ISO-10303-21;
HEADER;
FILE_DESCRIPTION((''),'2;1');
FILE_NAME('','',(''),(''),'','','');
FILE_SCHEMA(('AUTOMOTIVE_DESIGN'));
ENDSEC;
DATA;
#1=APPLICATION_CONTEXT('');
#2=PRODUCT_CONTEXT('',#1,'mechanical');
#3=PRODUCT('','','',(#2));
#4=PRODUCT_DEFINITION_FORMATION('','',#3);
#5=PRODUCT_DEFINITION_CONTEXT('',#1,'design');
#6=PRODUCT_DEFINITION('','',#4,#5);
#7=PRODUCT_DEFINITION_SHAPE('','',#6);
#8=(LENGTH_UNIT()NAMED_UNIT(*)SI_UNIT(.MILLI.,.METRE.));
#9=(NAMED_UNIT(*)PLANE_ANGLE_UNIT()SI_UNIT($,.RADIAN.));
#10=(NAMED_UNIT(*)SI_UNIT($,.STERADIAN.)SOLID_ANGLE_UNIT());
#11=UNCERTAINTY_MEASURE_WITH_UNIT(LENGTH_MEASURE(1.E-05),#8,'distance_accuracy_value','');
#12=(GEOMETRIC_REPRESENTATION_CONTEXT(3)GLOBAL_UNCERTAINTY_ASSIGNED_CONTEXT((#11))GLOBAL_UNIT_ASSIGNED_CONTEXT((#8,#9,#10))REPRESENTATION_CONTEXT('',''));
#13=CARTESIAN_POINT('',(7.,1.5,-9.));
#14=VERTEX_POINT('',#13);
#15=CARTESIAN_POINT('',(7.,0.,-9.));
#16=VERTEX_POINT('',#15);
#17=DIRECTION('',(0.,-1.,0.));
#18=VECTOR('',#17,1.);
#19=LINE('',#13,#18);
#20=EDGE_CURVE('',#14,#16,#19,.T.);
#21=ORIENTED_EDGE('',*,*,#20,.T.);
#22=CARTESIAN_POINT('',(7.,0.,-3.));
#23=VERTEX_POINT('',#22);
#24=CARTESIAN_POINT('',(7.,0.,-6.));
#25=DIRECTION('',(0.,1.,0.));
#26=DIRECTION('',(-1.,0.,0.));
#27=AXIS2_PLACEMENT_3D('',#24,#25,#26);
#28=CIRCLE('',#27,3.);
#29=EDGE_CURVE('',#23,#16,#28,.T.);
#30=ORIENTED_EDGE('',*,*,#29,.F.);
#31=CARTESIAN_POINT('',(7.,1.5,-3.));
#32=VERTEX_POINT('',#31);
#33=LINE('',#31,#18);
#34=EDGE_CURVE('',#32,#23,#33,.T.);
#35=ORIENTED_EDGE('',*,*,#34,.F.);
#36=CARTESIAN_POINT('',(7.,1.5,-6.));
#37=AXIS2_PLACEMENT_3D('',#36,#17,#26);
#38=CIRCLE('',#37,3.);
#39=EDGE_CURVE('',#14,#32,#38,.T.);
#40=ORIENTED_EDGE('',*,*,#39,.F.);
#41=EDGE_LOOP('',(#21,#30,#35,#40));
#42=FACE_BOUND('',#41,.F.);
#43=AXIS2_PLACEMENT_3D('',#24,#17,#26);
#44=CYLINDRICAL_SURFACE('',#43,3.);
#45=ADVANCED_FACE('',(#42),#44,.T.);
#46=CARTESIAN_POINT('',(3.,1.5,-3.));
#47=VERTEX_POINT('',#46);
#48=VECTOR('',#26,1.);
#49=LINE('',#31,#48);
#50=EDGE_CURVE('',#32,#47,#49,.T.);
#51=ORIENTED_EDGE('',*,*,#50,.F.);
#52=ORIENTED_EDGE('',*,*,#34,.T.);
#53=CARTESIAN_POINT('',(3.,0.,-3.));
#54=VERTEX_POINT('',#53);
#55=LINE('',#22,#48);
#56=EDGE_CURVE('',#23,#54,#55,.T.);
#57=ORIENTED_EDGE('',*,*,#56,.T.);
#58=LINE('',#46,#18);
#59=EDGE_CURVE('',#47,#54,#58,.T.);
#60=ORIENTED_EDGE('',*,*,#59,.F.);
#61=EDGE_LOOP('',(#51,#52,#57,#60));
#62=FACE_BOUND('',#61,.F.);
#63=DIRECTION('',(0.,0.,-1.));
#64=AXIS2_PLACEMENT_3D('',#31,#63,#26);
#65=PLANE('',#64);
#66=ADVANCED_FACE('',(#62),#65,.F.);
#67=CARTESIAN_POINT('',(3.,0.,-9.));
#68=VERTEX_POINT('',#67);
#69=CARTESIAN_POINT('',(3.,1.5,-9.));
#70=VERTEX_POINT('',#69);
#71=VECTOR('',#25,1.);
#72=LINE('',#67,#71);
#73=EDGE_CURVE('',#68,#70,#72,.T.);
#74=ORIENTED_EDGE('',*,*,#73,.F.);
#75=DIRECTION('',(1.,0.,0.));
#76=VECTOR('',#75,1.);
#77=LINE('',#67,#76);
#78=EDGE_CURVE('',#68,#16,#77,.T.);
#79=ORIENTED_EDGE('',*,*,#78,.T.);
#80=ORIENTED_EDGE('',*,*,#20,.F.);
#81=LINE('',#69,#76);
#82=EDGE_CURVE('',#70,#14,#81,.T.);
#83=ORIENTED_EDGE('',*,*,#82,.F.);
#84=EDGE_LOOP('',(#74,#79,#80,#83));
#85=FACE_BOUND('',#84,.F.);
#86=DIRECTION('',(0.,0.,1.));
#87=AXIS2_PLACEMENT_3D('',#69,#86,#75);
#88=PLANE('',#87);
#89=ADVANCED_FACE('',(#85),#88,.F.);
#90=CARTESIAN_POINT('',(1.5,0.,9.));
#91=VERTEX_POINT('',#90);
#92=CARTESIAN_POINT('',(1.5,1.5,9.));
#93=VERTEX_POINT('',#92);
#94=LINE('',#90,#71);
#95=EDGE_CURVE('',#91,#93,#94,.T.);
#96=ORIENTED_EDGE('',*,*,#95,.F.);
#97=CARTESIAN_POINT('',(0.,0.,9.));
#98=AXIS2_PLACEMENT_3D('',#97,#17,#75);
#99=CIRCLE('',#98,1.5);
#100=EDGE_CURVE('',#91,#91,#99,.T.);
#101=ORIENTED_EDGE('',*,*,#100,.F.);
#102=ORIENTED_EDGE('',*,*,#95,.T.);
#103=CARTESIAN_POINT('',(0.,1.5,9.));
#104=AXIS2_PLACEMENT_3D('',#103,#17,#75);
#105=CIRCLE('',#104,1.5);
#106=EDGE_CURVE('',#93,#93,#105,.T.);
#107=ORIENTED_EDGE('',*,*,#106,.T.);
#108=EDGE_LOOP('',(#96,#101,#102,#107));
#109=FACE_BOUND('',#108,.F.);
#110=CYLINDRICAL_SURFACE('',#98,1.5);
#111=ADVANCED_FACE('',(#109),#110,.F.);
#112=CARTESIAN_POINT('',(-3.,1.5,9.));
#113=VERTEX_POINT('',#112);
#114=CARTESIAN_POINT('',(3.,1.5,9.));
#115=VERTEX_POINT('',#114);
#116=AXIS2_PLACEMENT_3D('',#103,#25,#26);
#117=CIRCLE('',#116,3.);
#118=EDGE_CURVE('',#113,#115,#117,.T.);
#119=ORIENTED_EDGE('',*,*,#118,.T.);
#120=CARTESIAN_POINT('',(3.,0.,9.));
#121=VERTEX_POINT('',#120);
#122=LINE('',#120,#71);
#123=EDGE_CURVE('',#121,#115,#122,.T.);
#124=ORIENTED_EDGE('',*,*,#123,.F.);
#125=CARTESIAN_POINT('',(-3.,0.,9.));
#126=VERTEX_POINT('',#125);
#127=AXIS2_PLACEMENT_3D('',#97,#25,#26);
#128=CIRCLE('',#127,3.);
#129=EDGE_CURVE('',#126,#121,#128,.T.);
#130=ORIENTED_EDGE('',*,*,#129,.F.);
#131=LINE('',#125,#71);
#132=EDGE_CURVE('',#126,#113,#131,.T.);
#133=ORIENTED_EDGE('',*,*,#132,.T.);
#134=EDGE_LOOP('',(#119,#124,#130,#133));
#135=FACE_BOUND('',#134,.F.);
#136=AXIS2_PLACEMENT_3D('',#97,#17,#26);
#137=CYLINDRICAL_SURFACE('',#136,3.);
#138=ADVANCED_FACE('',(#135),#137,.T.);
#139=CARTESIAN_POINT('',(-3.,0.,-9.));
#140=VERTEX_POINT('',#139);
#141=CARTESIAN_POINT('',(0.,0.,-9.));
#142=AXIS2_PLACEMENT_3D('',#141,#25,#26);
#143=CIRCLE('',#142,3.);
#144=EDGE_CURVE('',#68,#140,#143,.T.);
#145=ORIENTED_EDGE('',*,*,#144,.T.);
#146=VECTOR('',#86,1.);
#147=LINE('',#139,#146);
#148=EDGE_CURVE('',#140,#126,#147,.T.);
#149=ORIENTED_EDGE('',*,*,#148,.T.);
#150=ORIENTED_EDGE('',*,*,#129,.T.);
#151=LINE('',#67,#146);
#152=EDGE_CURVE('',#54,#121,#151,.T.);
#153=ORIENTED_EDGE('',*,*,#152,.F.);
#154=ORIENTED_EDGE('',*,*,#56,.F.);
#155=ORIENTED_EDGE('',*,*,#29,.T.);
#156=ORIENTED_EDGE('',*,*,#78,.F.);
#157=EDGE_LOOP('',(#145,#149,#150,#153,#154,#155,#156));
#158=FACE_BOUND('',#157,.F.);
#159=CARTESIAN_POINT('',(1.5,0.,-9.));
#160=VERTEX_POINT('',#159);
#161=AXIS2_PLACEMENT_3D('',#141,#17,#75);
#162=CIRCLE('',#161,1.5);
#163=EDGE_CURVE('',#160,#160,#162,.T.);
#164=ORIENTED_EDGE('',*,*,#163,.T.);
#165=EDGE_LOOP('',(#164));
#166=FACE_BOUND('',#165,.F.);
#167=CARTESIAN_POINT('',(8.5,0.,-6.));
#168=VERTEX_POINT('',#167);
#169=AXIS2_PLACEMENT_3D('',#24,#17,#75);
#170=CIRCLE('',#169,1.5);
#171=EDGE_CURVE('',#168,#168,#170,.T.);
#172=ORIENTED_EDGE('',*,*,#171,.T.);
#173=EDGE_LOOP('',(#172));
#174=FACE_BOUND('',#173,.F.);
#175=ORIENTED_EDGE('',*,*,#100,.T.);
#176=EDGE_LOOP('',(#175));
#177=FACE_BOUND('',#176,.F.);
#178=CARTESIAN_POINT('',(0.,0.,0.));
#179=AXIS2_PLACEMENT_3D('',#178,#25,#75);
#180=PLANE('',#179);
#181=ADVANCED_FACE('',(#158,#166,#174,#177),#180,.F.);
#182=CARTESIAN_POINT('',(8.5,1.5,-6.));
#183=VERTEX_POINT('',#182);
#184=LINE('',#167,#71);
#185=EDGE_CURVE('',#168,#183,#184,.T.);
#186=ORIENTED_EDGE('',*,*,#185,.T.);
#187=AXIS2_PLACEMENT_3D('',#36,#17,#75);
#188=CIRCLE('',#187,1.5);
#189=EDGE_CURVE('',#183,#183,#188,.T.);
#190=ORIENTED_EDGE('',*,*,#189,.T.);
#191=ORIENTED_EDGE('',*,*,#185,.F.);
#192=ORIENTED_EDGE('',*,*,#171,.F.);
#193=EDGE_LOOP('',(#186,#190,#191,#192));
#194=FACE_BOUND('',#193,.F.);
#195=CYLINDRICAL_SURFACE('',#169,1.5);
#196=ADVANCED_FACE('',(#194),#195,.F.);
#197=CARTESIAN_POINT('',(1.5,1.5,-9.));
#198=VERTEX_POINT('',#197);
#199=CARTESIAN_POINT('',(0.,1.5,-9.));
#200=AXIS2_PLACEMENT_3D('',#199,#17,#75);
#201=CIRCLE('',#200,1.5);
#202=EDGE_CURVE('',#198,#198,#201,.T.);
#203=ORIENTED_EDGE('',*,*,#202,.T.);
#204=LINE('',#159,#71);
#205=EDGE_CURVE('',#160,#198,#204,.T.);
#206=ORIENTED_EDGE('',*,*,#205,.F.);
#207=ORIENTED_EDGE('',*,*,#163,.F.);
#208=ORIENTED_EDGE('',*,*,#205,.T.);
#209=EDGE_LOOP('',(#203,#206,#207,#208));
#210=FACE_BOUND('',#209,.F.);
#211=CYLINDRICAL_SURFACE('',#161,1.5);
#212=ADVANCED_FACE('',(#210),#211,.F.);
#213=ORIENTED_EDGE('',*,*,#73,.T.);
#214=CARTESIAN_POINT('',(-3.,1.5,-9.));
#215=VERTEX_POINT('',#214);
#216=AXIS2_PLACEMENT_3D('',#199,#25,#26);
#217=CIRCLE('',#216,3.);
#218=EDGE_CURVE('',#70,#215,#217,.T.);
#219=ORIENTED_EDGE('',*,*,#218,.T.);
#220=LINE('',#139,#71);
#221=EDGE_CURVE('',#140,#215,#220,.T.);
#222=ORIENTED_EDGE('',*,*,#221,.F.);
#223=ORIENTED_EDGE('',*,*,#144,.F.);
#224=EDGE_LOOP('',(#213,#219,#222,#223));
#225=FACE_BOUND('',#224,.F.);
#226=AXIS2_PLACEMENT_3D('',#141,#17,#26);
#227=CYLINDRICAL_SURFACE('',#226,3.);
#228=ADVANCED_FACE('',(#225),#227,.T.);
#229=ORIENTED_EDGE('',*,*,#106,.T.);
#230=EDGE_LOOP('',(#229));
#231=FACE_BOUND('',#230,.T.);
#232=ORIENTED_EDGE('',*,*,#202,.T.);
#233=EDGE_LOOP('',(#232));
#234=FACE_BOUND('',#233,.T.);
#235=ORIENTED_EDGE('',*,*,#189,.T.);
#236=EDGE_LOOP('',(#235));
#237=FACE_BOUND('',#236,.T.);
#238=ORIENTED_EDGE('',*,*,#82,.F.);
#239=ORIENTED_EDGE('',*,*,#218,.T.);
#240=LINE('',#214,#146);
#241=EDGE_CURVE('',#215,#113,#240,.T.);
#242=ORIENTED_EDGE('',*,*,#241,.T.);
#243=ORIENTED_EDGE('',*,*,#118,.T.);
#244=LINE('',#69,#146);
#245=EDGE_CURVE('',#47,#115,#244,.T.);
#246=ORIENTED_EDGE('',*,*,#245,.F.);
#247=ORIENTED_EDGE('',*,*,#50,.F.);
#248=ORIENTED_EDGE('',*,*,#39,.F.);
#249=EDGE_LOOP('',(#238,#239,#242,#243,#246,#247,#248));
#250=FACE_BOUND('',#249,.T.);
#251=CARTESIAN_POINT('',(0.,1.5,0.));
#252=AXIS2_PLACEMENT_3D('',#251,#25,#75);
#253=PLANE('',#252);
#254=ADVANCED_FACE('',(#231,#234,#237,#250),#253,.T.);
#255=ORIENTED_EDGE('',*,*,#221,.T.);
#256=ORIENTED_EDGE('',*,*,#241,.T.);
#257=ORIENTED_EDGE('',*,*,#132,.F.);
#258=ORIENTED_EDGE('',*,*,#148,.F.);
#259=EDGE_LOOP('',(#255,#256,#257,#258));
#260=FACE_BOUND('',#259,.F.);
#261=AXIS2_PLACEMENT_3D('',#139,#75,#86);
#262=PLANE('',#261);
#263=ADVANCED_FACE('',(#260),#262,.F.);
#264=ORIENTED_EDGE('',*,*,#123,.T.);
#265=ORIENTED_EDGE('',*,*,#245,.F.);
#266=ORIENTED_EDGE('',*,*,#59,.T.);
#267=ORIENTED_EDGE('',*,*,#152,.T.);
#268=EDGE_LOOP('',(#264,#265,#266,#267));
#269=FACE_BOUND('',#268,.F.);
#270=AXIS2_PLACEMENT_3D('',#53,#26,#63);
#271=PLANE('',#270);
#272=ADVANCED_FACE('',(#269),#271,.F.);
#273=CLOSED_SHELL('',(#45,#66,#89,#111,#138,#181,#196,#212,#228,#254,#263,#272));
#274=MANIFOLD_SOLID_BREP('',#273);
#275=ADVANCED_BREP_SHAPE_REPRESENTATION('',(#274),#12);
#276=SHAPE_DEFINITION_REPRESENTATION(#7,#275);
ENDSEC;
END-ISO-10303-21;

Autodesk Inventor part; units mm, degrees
ref_plane "YZ Plane" through (0, 0, 0) normal (1, 0, 0) x (0, 1, 0)
ref_plane "XZ Plane" through (0, 0, 0) normal (0, 1, 0) x (-1, 0, 0)
ref_plane "XY Plane" through (0, 0, 0) normal (0, 0, 1) x (1, 0, 0)
sketch "Sketch1" plane through (0, 0, 0) normal (0, 1, 0) x (-1, 0, 0)
  line L0 (3, 9) -> (-3, 9)
  line L1 (-3, 9) -> (-3, -9)
  line L2 (-3, -9) -> (3, -9)
  line L3 (3, -9) -> (3, 9)
  line L4 (3, 9) -> (-3, -9) construction
  line L5 (-3, 9) -> (3, -9) construction
  circle A0 centre (0, 9) radius 3
  circle A1 centre (0, -9) radius 3
  line L6 (-3, -9) -> (-7, -9)
  line L7 (-7, -9) -> (-7, -5)
  line L8 (-7, -5) -> (-7, -3)
  line L9 (-7, -3) -> (-3, -3)
  line L10 (-7, -3) -> (-7, -6)
  circle A2 centre (-7, -6) radius 3
  line L11 (-3, -3) -> (-3, -9)
  point P0 (0, 0)
  dimension "d0" = 6
  dimension "d1" = 18
  dimension "d2" = 6
  dimension "d4" = 6
  dimension "d5" = 4
  dimension "d6" = 4
  dimension "d7" = 2
  dimension "d10" = 3
  dimension "d11" = 6
extrude "Extrusion1" add sketch "Sketch1" along normal blind 1.5 contours A0 L0 | L0 A0 | L3 A1 L1 A0 | A1 L2 | L2 A1 | A2 L7 L8 | L8 L7 A2
sketch "Sketch2" plane through (0, 1.5, 0) normal (0, 1, 0) x (1, 0, 0)
  line L0 (3, -9) -> (3, 9) projected
  arc A0 (3, 9) -> (-3, 9) centre (0, 9) ccw projected
  line L1 (-3, 9) -> (-3, -9) projected
  arc A1 (-3, -9) -> (3, -9) centre (0, -9) ccw projected
  circle A2 centre (0, 9) radius 1.5
  circle A3 centre (0, -9) radius 1.5
  line L2 (3, 9) -> (7, 9)
  line L3 (7, 9) -> (7, 3)
  line L4 (7, 3) -> (3, 3)
  line L5 (3, 3) -> (3, 9)
  point P0 (0, 0)
  dimension "d14" = 3
  dimension "d15" = 3
  dimension "d16" = 4
  dimension "d17" = 6
extrude "Extrusion2" cut sketch "Sketch2" against normal blind 1.5 contours L0 L2 L3 L4 | A2 | A3
sketch "Sketch3" plane through (0, 1.5, 0) normal (0, 1, 0) x (1, 0, 0)
  line L0 (3, -9) -> (3, 9) projected
  arc A0 (3, 9) -> (-3, 9) centre (0, 9) ccw projected
  line L1 (-3, 9) -> (-3, -9) projected
  line L2 (3, 9) -> (7, 9)
  line L3 (7, 9) -> (7, 3)
  line L4 (7, 3) -> (3, 3)
  line L5 (3, 3) -> (3, 9)
  point P0 (0, 0)
  dimension "d20" = 4
  dimension "d21" = 6
  dimension "d22" = 4
extrude "Extrusion3" add sketch "Sketch3" against normal blind 1.5
sketch "Sketch4" plane through (0, 1.5, 0) normal (0, 1, 0) x (1, 0, 0)
  arc A0 (7, 3) -> (7, 9) centre (7, 6) ccw projected
  circle A1 centre (7, 6) radius 1.5
  point P0 (0, 0)
  dimension "d25" = 3
extrude "Extrusion4" cut sketch "Sketch4" against normal blind 1.5
sketch "Sketch5" plane through (0, 0, 0) normal (0, -1, 0) x (1, 0, 0)
  circle A0 centre (7, -6) radius 1.5 projected
  circle A1 centre (0, 9) radius 1.5 projected
  circle A2 centre (0, -9) radius 1.5 projected
  arc A3 (7, -9) -> (7, -3) centre (7, -6) ccw projected
  arc A4 (3, 9) -> (-3, 9) centre (0, 9) ccw projected
  arc A5 (-3, -9) -> (3, -9) centre (0, -9) ccw projected
  circle A6 centre (0, 9) radius 0.1
  circle A7 centre (0, -9) radius 0.1
  circle A8 centre (7, -6) radius 0.1
  point P0 (0, 0)
  dimension "d28" = 0.2
  dimension "d29" = 0.2
  dimension "d30" = 0.2
extrude "Extrusion5" add sketch "Sketch5" against normal blind 1.5
sketch "Sketch6" plane through (0, 0, 0) normal (0, -1, 0) x (1, 0, 0)
  circle A0 centre (0, -9) radius 0.1 projected
  circle A1 centre (7, -6) radius 0.1 projected
  circle A2 centre (0, 9) radius 0.1 projected
  arc A3 (7, -9) -> (7, -3) centre (7, -6) ccw projected
  arc A4 (3, 9) -> (-3, 9) centre (0, 9) ccw projected
  arc A5 (-3, -9) -> (3, -9) centre (0, -9) ccw projected
  circle A6 centre (0, 9) radius 1.5
  circle A7 centre (0, -9) radius 1.5
  circle A8 centre (7, -6) radius 1.5
  point P0 (0, 0)
  dimension "d33" = 3
  dimension "d34" = 3
  dimension "d35" = 3
extrude "Extrusion6" cut sketch "Sketch6" against normal blind 2
sketch "Sketch7" plane through (0, 0, 0) normal (0, -1, 0) x (1, 0, 0)
  arc A0 (-3, -9) -> (3, -9) centre (0, -9) ccw projected
  line L0 (3, -9) -> (7, -9) projected
  line L1 (0, -9) -> (0, -5)
  circle A1 centre (0, -5) radius 1.5
  point P0 (0, 0)
  dimension "d38" = 4
  dimension "d39" = 3
extrude "Extrusion7" cut sketch "Sketch7" against normal blind 2
sketch "Sketch8" plane through (0, 0, 0) normal (0, -1, 0) x (1, 0, 0)
  circle A0 centre (0, -5) radius 1.5 projected
  point P0 (0, 0)
extrude "Extrusion8" add sketch "Sketch8" against normal blind 2
sketch "Sketch9" plane through (0, 2, -5) normal (0, 1, 0) x (1, 0, 0)
  circle A0 centre (0, 0) radius 1.5 projected
  point P0 (0, -5)
extrude "Extrusion9" cut sketch "Sketch9" against normal blind 0.5
properties part number "tahlo3"
